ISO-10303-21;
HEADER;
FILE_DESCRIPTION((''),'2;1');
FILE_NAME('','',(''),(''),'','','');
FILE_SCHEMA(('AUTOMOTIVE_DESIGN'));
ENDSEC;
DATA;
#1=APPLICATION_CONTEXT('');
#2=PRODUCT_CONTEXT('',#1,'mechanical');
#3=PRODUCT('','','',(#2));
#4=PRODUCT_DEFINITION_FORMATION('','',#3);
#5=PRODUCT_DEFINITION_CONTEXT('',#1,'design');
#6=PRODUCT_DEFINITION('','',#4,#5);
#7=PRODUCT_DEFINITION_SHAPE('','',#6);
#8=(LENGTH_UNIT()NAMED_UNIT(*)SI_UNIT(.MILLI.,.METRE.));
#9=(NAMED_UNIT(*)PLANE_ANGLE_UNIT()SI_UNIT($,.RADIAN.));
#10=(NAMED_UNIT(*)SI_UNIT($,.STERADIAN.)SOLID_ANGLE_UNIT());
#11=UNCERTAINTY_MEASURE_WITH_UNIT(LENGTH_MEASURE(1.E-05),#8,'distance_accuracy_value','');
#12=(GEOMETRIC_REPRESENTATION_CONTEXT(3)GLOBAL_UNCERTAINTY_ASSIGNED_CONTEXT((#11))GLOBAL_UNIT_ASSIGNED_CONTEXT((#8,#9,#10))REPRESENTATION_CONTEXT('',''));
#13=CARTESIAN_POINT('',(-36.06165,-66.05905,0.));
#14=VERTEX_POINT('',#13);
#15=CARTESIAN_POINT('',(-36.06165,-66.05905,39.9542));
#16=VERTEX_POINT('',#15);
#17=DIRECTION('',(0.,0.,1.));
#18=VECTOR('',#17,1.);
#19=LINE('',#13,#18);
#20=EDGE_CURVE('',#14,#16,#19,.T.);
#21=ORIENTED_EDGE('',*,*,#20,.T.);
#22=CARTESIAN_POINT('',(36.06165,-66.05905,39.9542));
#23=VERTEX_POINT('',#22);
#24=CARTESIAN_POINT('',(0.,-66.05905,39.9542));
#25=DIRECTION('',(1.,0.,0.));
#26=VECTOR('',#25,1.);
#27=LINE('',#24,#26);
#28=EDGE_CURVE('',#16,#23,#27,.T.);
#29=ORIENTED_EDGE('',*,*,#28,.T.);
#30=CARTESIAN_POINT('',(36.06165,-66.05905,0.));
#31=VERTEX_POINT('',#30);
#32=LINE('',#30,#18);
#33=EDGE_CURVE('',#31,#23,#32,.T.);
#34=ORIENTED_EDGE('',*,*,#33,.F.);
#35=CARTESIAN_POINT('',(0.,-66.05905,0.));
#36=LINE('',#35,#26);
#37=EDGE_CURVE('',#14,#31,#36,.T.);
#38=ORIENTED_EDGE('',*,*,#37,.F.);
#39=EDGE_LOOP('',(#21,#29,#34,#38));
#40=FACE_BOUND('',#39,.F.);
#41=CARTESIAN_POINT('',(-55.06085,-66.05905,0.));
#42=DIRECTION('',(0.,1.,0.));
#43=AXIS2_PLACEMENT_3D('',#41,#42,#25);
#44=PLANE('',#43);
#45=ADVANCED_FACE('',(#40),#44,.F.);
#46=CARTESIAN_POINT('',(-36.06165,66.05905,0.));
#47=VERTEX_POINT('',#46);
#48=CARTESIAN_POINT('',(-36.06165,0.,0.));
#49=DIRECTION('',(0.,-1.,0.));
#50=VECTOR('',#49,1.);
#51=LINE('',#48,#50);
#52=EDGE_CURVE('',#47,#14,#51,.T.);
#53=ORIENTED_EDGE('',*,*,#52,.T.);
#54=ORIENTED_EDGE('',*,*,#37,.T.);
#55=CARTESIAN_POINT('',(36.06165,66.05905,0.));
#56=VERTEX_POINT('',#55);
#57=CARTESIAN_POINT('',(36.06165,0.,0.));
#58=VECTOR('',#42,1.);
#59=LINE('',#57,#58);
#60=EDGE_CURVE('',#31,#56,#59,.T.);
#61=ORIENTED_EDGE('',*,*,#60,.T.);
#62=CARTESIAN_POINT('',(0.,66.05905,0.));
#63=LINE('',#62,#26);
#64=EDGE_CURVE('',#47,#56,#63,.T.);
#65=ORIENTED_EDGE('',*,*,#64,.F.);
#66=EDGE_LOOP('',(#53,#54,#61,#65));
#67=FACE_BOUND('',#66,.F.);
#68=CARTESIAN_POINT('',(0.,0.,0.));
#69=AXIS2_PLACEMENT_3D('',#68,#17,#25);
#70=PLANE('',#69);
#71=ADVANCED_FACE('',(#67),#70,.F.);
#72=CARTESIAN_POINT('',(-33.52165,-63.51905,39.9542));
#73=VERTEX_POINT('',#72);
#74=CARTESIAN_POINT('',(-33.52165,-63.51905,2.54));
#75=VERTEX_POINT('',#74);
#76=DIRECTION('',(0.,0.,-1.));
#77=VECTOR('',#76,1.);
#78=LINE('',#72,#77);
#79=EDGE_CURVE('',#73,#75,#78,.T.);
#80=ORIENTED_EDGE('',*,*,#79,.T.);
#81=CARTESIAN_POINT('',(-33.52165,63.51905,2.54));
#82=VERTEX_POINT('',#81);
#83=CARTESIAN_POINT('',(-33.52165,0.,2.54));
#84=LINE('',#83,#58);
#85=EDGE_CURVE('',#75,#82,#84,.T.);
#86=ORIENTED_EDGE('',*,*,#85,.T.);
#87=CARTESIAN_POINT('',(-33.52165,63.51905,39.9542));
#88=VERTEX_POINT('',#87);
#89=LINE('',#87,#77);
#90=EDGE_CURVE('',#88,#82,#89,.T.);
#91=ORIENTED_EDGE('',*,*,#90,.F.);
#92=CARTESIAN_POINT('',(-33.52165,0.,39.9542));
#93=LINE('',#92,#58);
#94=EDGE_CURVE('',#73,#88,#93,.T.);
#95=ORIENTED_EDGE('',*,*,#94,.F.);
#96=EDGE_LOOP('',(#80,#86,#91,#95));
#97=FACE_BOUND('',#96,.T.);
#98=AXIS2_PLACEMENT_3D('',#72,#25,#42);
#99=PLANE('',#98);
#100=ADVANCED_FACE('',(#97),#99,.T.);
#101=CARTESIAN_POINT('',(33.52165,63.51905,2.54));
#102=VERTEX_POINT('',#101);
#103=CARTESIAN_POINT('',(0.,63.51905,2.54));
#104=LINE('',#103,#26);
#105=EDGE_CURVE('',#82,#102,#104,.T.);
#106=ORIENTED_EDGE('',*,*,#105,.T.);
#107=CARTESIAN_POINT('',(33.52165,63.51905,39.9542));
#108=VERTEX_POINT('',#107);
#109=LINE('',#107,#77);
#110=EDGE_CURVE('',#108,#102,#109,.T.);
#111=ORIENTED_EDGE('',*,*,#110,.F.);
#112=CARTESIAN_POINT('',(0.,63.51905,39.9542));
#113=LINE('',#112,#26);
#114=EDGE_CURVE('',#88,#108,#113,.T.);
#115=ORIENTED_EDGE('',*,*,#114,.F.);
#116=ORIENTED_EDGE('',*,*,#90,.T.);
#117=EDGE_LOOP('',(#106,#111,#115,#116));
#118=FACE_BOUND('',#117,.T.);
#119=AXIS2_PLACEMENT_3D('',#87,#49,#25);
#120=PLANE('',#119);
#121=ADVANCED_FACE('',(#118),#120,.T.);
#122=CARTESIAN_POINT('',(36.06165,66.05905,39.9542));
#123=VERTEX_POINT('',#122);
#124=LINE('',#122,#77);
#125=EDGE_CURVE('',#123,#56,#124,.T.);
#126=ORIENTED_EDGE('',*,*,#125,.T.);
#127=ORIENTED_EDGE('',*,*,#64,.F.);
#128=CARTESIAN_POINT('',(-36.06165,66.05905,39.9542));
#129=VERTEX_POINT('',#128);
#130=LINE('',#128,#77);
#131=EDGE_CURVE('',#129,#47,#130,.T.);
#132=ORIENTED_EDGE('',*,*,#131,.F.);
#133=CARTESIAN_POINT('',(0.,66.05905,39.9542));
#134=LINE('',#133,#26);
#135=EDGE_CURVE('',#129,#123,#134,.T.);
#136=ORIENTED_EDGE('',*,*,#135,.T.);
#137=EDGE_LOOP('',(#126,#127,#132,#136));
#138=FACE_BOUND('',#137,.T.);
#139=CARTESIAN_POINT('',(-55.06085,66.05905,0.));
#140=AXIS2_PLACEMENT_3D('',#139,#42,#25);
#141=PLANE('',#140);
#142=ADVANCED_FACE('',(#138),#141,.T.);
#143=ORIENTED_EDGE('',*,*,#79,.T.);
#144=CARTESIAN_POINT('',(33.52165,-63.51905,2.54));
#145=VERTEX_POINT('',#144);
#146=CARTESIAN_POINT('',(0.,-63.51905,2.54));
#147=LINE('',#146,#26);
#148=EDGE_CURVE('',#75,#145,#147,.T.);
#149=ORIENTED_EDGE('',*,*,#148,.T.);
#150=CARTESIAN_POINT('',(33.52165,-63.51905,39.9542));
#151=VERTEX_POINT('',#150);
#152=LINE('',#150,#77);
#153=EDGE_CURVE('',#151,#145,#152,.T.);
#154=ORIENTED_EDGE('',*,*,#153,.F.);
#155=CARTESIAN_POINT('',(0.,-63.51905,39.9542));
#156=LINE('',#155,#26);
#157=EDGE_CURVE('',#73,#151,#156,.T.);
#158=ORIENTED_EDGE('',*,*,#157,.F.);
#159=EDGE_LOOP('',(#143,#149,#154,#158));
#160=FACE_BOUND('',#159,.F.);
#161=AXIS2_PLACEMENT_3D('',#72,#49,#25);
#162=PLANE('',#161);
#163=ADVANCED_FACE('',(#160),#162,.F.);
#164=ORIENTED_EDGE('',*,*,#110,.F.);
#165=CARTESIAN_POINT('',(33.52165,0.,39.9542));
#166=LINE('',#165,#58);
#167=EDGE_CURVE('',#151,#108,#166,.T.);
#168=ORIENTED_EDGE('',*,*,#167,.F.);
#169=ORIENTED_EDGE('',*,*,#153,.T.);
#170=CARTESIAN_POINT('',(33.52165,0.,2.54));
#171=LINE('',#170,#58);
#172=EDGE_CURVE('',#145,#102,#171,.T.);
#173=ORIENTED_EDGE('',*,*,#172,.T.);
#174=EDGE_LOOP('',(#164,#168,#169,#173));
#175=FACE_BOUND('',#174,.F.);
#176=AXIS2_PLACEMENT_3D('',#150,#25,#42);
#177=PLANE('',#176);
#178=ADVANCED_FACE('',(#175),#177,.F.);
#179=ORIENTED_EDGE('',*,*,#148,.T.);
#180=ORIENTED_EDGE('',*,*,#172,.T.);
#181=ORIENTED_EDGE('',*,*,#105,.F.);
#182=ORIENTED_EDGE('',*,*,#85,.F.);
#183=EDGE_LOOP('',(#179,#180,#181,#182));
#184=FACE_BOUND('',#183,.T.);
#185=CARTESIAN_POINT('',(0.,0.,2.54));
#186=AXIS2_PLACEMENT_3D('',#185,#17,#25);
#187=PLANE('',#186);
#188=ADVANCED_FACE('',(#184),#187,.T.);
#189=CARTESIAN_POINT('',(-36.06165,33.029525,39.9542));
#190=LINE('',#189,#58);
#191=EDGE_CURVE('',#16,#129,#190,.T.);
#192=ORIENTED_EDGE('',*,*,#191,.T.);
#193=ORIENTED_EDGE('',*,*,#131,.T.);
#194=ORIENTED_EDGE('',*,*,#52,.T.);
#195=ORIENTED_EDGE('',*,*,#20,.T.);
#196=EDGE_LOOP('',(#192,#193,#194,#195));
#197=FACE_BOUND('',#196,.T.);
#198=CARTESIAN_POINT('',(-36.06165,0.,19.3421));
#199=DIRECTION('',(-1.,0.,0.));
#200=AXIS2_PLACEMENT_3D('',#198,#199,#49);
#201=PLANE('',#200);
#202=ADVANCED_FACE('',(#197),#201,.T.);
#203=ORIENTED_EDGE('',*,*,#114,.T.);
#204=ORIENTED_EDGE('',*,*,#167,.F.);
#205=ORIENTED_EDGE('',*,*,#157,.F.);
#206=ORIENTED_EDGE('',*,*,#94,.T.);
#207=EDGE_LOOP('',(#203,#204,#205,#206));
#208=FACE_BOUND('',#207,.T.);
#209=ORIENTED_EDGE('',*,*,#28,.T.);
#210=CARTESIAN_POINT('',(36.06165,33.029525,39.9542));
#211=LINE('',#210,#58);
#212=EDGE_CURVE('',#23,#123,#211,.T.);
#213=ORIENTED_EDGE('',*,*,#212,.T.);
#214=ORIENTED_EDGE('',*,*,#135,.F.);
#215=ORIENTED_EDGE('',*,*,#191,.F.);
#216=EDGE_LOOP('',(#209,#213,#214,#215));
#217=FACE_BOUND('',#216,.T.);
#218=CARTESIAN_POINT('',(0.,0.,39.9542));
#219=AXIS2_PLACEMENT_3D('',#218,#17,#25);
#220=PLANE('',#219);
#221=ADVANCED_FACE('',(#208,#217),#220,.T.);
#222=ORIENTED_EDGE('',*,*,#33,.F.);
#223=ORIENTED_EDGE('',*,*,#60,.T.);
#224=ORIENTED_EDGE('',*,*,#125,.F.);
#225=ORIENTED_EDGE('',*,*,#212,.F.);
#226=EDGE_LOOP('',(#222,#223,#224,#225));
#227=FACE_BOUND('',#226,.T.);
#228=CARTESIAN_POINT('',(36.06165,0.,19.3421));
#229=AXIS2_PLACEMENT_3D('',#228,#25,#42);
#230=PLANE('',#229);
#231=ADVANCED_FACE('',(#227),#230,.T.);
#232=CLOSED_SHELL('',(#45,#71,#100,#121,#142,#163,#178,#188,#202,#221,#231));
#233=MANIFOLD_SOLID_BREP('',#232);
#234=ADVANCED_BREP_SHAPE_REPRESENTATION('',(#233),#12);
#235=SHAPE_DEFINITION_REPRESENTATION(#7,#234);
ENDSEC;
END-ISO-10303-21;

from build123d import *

# Parameters (mm, degrees)
F0_W      = 110.1217
F0_H      = 132.1181
F1_DEPTH  = 39.9542
F2_W      = 132.1181
F2_H      = 38.6842
F3_DEPTH  = 18.9992
F4_W      = 132.1181
F4_H      = 38.6842
F5_DEPTH  = 18.9992
F6_W      = 18.9992
F6_H      = 132.1181
F7_DEPTH  = 1.271
F8_W      = 18.9992
F8_H      = 132.1181
F9_DEPTH  = 1.271
F10_W     = 67.0433
F10_H     = 127.0381
F11_DEPTH = 37.4142


with BuildPart() as f1:
    # F0 (on Top) → F1 (new body)
    with BuildSketch(Plane.XY):
        Rectangle(F0_W, F0_H)
    extrude(amount=F1_DEPTH)

    # F2 (on face) → F3 (cut)
    with BuildSketch(Plane(origin=(-55.06085, 0, 0), x_dir=(0, -1, 0), z_dir=(-1, 0, 0))):
        with Locations((0, 19.3421)):
            Rectangle(F2_W, F2_H)
    extrude(amount=-F3_DEPTH, mode=Mode.SUBTRACT)

    # F4 (on face) → F5 (cut)
    with BuildSketch(Plane.YZ.offset(55.06085)):
        with Locations((0, 19.3421)):
            Rectangle(F4_W, F4_H)
    extrude(amount=-F5_DEPTH, mode=Mode.SUBTRACT)

    # F6 (on face) → F7 (cut, through all)
    with BuildSketch(Plane(origin=(0, 0, 38.6842), x_dir=(1, 0, 0), z_dir=(0, 0, -1))):
        with Locations((-45.56125, 0)):
            Rectangle(F6_W, F6_H)
    extrude(amount=-F7_DEPTH, mode=Mode.SUBTRACT)

    # F8 (on face) → F9 (cut, through all)
    with BuildSketch(Plane(origin=(0, 0, 38.6842), x_dir=(1, 0, 0), z_dir=(0, 0, -1))):
        with Locations((45.56125, 0)):
            Rectangle(F8_W, F8_H)
    extrude(amount=-F9_DEPTH, mode=Mode.SUBTRACT)

    # F10 (on face) → F11 (cut)
    with BuildSketch(Plane.XY.offset(39.9542)):
        Rectangle(F10_W, F10_H)
    extrude(amount=-F11_DEPTH, mode=Mode.SUBTRACT)


solid = f1.part
